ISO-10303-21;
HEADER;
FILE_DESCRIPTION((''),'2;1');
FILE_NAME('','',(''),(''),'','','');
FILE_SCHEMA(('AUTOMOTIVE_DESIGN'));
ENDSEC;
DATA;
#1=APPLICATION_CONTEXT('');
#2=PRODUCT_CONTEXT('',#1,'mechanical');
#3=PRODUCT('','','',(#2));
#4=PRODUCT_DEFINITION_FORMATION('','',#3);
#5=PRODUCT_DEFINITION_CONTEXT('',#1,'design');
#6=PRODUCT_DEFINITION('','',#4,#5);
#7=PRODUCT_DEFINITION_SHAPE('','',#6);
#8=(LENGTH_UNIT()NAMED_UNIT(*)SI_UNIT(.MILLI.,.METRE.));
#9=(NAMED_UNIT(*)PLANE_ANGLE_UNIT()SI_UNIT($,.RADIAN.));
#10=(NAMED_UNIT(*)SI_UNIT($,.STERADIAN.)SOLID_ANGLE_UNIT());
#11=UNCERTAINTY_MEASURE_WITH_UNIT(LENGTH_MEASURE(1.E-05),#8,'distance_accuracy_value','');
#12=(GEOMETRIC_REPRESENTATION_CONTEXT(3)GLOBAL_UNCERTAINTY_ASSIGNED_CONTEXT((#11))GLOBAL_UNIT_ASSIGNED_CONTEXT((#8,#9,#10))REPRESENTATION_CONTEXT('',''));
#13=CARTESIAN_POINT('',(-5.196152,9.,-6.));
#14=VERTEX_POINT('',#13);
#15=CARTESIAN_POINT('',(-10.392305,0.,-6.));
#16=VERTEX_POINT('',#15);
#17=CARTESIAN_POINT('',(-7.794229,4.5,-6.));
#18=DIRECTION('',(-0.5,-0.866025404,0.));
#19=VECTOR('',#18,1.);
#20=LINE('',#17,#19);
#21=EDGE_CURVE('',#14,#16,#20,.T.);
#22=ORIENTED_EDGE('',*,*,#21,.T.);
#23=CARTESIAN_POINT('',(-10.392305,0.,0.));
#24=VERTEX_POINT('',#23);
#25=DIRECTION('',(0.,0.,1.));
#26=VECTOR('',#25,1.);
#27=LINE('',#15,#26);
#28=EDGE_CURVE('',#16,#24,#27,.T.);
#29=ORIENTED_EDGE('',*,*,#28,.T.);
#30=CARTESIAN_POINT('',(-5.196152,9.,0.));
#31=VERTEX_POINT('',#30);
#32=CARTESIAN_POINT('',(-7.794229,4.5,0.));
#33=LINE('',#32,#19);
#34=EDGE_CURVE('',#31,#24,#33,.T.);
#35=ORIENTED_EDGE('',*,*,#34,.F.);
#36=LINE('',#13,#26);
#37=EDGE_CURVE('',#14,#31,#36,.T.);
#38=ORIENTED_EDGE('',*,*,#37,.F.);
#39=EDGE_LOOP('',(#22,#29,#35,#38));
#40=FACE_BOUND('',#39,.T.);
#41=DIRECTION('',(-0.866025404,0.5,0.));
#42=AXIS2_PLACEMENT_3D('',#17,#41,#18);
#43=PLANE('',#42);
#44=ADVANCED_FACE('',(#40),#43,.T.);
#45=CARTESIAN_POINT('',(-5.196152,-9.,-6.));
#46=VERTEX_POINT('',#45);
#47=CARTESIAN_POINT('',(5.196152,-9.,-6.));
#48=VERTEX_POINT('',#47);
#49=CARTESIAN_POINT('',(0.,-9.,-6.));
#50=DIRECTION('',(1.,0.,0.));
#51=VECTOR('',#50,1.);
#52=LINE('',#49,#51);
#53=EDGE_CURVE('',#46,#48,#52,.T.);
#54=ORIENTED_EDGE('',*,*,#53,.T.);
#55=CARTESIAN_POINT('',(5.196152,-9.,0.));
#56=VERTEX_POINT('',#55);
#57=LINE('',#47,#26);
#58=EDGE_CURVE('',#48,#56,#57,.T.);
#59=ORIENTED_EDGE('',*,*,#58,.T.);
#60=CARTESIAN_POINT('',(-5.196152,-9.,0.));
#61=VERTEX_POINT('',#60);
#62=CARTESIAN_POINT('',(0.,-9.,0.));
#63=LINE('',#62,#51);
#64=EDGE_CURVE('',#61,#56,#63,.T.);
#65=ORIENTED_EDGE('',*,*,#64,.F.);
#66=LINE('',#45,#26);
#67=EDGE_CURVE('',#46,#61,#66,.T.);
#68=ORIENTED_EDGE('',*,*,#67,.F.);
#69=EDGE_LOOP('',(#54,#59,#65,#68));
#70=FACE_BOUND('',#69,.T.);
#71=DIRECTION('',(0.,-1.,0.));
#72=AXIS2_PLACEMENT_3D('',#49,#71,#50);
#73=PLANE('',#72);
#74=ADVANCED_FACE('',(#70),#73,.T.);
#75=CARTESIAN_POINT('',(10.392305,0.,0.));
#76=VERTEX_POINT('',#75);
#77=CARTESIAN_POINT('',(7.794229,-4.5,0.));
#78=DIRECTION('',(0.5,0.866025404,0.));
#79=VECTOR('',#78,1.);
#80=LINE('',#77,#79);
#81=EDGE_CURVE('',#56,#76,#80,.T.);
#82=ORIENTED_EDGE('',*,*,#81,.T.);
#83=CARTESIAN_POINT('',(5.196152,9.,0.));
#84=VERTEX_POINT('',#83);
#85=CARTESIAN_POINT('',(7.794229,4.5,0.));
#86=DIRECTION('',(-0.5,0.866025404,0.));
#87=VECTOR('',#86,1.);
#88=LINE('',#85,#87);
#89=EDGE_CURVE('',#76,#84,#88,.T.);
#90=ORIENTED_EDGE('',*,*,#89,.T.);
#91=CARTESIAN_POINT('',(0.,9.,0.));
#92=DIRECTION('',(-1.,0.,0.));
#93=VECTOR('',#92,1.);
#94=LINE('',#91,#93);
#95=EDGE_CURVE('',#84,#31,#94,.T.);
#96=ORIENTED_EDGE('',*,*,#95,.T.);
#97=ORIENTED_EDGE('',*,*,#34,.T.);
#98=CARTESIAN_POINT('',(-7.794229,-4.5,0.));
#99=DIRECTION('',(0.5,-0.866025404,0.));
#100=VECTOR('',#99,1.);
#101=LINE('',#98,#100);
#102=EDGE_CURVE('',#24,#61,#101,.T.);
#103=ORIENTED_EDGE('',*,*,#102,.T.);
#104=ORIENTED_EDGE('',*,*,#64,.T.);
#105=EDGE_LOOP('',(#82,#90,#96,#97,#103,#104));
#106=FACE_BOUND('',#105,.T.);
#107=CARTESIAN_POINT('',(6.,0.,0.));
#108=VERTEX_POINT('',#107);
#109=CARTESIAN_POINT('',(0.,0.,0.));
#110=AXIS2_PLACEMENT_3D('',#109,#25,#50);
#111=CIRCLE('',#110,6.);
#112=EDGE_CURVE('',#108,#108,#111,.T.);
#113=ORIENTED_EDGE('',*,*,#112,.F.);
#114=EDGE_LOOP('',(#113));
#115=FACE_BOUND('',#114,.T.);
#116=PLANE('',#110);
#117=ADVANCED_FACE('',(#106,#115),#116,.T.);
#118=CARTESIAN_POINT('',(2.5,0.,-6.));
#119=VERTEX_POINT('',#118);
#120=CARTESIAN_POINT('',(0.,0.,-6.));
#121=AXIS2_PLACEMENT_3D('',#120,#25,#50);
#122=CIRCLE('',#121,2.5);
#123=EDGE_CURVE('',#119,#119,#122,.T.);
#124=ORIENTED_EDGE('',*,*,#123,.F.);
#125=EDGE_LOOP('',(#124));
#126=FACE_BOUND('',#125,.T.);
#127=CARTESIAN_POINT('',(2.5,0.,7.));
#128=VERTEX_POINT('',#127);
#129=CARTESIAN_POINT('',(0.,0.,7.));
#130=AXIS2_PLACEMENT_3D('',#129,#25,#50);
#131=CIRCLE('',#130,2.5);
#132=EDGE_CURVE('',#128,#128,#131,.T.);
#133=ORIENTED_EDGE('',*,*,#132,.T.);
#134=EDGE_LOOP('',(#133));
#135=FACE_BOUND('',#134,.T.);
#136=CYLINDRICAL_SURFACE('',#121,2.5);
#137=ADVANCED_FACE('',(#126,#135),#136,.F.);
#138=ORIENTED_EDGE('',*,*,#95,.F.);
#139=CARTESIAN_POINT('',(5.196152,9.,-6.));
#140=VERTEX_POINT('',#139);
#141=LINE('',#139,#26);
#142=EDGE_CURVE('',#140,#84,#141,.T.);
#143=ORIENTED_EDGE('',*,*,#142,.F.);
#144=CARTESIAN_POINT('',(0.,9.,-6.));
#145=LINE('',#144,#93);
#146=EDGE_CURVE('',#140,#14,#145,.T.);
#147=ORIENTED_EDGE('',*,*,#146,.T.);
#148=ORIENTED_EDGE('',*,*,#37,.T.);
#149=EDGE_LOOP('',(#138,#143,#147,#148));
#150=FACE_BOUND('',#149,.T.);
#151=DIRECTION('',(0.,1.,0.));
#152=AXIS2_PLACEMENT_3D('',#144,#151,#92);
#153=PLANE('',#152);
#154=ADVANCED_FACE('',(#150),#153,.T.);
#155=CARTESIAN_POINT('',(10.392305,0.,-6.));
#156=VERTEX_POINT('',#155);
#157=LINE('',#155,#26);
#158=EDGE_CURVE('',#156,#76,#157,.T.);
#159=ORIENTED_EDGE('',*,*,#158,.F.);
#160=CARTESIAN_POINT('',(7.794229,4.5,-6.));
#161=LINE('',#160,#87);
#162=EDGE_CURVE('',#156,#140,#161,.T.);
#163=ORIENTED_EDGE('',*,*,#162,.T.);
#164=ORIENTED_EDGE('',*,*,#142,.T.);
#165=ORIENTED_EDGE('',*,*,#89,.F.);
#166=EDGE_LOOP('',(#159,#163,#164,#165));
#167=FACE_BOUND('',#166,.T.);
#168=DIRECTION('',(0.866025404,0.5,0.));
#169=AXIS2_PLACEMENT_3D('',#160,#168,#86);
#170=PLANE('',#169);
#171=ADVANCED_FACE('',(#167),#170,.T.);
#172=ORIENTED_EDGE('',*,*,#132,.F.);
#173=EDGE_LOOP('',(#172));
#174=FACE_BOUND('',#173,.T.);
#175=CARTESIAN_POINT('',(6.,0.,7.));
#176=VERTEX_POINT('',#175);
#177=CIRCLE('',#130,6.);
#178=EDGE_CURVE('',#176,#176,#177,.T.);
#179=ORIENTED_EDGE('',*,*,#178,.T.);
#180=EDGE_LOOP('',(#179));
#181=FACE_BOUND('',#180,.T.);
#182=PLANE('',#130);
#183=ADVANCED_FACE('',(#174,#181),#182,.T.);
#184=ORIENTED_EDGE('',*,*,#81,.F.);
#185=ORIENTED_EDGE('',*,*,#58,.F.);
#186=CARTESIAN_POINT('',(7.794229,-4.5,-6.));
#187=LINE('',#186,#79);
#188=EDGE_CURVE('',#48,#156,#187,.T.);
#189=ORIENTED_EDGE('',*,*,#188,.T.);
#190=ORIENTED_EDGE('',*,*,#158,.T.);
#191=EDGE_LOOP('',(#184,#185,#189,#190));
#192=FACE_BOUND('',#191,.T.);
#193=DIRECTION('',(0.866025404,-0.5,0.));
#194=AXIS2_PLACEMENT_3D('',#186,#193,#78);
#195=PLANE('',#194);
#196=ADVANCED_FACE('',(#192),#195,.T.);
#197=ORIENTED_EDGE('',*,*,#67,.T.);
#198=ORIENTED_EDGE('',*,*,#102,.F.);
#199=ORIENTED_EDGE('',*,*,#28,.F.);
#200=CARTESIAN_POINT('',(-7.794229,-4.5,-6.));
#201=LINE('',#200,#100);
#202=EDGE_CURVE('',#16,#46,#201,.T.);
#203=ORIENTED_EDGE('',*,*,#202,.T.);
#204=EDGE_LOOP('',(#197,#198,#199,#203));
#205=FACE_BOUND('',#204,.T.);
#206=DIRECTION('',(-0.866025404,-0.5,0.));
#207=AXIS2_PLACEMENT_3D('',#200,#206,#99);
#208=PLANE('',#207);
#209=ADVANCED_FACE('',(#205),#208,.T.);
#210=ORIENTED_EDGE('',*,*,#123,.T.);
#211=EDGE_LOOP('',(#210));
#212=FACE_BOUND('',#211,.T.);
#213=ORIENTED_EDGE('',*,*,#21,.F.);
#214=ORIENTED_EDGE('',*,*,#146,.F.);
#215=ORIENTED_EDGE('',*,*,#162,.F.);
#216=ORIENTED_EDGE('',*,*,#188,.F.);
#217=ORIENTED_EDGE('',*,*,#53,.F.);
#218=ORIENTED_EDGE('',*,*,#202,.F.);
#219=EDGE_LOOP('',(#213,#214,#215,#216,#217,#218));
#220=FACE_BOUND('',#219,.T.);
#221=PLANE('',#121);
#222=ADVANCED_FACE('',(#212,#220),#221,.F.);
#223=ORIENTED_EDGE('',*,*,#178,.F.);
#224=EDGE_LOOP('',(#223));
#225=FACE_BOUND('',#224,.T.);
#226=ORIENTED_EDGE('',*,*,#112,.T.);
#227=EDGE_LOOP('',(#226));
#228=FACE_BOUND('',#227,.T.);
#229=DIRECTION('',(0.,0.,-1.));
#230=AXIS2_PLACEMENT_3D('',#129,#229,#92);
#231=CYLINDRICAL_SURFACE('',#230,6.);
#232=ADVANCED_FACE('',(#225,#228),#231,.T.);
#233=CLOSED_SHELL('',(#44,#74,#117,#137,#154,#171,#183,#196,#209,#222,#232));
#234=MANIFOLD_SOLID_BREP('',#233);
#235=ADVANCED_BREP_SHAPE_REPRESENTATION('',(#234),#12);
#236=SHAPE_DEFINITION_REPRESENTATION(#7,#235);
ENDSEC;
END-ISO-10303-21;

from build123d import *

# Parameters (mm, degrees)
SKETCH1_R           = 2.5
BOSS_EXTRUDE1_DEPTH = 6
BOSS_EXTRUDE2_START = 7
SKETCH1_3_R         = 6
SKETCH1_3_R_2       = 2.5
BOSS_EXTRUDE2_DEPTH = 7


with BuildPart() as part:
    # Sketch1 → Boss-Extrude1 (new body)
    with BuildSketch(Plane.XY):
        Polygon((5.196152423, -9), (10.392304845, 0), (5.196152423, 9), (-5.196152423, 9), (-10.392304845, 0), (-5.196152423, -9), align=None)
        Circle(SKETCH1_R, mode=Mode.SUBTRACT)
    extrude(amount=-BOSS_EXTRUDE1_DEPTH)

    # Sketch1<3> → Boss-Extrude2 (add)
    with BuildSketch(Plane.XY.offset(BOSS_EXTRUDE2_START)):
        Circle(SKETCH1_3_R)
        Circle(SKETCH1_3_R_2, mode=Mode.SUBTRACT)
    extrude(amount=-BOSS_EXTRUDE2_DEPTH)


solid = part.part
